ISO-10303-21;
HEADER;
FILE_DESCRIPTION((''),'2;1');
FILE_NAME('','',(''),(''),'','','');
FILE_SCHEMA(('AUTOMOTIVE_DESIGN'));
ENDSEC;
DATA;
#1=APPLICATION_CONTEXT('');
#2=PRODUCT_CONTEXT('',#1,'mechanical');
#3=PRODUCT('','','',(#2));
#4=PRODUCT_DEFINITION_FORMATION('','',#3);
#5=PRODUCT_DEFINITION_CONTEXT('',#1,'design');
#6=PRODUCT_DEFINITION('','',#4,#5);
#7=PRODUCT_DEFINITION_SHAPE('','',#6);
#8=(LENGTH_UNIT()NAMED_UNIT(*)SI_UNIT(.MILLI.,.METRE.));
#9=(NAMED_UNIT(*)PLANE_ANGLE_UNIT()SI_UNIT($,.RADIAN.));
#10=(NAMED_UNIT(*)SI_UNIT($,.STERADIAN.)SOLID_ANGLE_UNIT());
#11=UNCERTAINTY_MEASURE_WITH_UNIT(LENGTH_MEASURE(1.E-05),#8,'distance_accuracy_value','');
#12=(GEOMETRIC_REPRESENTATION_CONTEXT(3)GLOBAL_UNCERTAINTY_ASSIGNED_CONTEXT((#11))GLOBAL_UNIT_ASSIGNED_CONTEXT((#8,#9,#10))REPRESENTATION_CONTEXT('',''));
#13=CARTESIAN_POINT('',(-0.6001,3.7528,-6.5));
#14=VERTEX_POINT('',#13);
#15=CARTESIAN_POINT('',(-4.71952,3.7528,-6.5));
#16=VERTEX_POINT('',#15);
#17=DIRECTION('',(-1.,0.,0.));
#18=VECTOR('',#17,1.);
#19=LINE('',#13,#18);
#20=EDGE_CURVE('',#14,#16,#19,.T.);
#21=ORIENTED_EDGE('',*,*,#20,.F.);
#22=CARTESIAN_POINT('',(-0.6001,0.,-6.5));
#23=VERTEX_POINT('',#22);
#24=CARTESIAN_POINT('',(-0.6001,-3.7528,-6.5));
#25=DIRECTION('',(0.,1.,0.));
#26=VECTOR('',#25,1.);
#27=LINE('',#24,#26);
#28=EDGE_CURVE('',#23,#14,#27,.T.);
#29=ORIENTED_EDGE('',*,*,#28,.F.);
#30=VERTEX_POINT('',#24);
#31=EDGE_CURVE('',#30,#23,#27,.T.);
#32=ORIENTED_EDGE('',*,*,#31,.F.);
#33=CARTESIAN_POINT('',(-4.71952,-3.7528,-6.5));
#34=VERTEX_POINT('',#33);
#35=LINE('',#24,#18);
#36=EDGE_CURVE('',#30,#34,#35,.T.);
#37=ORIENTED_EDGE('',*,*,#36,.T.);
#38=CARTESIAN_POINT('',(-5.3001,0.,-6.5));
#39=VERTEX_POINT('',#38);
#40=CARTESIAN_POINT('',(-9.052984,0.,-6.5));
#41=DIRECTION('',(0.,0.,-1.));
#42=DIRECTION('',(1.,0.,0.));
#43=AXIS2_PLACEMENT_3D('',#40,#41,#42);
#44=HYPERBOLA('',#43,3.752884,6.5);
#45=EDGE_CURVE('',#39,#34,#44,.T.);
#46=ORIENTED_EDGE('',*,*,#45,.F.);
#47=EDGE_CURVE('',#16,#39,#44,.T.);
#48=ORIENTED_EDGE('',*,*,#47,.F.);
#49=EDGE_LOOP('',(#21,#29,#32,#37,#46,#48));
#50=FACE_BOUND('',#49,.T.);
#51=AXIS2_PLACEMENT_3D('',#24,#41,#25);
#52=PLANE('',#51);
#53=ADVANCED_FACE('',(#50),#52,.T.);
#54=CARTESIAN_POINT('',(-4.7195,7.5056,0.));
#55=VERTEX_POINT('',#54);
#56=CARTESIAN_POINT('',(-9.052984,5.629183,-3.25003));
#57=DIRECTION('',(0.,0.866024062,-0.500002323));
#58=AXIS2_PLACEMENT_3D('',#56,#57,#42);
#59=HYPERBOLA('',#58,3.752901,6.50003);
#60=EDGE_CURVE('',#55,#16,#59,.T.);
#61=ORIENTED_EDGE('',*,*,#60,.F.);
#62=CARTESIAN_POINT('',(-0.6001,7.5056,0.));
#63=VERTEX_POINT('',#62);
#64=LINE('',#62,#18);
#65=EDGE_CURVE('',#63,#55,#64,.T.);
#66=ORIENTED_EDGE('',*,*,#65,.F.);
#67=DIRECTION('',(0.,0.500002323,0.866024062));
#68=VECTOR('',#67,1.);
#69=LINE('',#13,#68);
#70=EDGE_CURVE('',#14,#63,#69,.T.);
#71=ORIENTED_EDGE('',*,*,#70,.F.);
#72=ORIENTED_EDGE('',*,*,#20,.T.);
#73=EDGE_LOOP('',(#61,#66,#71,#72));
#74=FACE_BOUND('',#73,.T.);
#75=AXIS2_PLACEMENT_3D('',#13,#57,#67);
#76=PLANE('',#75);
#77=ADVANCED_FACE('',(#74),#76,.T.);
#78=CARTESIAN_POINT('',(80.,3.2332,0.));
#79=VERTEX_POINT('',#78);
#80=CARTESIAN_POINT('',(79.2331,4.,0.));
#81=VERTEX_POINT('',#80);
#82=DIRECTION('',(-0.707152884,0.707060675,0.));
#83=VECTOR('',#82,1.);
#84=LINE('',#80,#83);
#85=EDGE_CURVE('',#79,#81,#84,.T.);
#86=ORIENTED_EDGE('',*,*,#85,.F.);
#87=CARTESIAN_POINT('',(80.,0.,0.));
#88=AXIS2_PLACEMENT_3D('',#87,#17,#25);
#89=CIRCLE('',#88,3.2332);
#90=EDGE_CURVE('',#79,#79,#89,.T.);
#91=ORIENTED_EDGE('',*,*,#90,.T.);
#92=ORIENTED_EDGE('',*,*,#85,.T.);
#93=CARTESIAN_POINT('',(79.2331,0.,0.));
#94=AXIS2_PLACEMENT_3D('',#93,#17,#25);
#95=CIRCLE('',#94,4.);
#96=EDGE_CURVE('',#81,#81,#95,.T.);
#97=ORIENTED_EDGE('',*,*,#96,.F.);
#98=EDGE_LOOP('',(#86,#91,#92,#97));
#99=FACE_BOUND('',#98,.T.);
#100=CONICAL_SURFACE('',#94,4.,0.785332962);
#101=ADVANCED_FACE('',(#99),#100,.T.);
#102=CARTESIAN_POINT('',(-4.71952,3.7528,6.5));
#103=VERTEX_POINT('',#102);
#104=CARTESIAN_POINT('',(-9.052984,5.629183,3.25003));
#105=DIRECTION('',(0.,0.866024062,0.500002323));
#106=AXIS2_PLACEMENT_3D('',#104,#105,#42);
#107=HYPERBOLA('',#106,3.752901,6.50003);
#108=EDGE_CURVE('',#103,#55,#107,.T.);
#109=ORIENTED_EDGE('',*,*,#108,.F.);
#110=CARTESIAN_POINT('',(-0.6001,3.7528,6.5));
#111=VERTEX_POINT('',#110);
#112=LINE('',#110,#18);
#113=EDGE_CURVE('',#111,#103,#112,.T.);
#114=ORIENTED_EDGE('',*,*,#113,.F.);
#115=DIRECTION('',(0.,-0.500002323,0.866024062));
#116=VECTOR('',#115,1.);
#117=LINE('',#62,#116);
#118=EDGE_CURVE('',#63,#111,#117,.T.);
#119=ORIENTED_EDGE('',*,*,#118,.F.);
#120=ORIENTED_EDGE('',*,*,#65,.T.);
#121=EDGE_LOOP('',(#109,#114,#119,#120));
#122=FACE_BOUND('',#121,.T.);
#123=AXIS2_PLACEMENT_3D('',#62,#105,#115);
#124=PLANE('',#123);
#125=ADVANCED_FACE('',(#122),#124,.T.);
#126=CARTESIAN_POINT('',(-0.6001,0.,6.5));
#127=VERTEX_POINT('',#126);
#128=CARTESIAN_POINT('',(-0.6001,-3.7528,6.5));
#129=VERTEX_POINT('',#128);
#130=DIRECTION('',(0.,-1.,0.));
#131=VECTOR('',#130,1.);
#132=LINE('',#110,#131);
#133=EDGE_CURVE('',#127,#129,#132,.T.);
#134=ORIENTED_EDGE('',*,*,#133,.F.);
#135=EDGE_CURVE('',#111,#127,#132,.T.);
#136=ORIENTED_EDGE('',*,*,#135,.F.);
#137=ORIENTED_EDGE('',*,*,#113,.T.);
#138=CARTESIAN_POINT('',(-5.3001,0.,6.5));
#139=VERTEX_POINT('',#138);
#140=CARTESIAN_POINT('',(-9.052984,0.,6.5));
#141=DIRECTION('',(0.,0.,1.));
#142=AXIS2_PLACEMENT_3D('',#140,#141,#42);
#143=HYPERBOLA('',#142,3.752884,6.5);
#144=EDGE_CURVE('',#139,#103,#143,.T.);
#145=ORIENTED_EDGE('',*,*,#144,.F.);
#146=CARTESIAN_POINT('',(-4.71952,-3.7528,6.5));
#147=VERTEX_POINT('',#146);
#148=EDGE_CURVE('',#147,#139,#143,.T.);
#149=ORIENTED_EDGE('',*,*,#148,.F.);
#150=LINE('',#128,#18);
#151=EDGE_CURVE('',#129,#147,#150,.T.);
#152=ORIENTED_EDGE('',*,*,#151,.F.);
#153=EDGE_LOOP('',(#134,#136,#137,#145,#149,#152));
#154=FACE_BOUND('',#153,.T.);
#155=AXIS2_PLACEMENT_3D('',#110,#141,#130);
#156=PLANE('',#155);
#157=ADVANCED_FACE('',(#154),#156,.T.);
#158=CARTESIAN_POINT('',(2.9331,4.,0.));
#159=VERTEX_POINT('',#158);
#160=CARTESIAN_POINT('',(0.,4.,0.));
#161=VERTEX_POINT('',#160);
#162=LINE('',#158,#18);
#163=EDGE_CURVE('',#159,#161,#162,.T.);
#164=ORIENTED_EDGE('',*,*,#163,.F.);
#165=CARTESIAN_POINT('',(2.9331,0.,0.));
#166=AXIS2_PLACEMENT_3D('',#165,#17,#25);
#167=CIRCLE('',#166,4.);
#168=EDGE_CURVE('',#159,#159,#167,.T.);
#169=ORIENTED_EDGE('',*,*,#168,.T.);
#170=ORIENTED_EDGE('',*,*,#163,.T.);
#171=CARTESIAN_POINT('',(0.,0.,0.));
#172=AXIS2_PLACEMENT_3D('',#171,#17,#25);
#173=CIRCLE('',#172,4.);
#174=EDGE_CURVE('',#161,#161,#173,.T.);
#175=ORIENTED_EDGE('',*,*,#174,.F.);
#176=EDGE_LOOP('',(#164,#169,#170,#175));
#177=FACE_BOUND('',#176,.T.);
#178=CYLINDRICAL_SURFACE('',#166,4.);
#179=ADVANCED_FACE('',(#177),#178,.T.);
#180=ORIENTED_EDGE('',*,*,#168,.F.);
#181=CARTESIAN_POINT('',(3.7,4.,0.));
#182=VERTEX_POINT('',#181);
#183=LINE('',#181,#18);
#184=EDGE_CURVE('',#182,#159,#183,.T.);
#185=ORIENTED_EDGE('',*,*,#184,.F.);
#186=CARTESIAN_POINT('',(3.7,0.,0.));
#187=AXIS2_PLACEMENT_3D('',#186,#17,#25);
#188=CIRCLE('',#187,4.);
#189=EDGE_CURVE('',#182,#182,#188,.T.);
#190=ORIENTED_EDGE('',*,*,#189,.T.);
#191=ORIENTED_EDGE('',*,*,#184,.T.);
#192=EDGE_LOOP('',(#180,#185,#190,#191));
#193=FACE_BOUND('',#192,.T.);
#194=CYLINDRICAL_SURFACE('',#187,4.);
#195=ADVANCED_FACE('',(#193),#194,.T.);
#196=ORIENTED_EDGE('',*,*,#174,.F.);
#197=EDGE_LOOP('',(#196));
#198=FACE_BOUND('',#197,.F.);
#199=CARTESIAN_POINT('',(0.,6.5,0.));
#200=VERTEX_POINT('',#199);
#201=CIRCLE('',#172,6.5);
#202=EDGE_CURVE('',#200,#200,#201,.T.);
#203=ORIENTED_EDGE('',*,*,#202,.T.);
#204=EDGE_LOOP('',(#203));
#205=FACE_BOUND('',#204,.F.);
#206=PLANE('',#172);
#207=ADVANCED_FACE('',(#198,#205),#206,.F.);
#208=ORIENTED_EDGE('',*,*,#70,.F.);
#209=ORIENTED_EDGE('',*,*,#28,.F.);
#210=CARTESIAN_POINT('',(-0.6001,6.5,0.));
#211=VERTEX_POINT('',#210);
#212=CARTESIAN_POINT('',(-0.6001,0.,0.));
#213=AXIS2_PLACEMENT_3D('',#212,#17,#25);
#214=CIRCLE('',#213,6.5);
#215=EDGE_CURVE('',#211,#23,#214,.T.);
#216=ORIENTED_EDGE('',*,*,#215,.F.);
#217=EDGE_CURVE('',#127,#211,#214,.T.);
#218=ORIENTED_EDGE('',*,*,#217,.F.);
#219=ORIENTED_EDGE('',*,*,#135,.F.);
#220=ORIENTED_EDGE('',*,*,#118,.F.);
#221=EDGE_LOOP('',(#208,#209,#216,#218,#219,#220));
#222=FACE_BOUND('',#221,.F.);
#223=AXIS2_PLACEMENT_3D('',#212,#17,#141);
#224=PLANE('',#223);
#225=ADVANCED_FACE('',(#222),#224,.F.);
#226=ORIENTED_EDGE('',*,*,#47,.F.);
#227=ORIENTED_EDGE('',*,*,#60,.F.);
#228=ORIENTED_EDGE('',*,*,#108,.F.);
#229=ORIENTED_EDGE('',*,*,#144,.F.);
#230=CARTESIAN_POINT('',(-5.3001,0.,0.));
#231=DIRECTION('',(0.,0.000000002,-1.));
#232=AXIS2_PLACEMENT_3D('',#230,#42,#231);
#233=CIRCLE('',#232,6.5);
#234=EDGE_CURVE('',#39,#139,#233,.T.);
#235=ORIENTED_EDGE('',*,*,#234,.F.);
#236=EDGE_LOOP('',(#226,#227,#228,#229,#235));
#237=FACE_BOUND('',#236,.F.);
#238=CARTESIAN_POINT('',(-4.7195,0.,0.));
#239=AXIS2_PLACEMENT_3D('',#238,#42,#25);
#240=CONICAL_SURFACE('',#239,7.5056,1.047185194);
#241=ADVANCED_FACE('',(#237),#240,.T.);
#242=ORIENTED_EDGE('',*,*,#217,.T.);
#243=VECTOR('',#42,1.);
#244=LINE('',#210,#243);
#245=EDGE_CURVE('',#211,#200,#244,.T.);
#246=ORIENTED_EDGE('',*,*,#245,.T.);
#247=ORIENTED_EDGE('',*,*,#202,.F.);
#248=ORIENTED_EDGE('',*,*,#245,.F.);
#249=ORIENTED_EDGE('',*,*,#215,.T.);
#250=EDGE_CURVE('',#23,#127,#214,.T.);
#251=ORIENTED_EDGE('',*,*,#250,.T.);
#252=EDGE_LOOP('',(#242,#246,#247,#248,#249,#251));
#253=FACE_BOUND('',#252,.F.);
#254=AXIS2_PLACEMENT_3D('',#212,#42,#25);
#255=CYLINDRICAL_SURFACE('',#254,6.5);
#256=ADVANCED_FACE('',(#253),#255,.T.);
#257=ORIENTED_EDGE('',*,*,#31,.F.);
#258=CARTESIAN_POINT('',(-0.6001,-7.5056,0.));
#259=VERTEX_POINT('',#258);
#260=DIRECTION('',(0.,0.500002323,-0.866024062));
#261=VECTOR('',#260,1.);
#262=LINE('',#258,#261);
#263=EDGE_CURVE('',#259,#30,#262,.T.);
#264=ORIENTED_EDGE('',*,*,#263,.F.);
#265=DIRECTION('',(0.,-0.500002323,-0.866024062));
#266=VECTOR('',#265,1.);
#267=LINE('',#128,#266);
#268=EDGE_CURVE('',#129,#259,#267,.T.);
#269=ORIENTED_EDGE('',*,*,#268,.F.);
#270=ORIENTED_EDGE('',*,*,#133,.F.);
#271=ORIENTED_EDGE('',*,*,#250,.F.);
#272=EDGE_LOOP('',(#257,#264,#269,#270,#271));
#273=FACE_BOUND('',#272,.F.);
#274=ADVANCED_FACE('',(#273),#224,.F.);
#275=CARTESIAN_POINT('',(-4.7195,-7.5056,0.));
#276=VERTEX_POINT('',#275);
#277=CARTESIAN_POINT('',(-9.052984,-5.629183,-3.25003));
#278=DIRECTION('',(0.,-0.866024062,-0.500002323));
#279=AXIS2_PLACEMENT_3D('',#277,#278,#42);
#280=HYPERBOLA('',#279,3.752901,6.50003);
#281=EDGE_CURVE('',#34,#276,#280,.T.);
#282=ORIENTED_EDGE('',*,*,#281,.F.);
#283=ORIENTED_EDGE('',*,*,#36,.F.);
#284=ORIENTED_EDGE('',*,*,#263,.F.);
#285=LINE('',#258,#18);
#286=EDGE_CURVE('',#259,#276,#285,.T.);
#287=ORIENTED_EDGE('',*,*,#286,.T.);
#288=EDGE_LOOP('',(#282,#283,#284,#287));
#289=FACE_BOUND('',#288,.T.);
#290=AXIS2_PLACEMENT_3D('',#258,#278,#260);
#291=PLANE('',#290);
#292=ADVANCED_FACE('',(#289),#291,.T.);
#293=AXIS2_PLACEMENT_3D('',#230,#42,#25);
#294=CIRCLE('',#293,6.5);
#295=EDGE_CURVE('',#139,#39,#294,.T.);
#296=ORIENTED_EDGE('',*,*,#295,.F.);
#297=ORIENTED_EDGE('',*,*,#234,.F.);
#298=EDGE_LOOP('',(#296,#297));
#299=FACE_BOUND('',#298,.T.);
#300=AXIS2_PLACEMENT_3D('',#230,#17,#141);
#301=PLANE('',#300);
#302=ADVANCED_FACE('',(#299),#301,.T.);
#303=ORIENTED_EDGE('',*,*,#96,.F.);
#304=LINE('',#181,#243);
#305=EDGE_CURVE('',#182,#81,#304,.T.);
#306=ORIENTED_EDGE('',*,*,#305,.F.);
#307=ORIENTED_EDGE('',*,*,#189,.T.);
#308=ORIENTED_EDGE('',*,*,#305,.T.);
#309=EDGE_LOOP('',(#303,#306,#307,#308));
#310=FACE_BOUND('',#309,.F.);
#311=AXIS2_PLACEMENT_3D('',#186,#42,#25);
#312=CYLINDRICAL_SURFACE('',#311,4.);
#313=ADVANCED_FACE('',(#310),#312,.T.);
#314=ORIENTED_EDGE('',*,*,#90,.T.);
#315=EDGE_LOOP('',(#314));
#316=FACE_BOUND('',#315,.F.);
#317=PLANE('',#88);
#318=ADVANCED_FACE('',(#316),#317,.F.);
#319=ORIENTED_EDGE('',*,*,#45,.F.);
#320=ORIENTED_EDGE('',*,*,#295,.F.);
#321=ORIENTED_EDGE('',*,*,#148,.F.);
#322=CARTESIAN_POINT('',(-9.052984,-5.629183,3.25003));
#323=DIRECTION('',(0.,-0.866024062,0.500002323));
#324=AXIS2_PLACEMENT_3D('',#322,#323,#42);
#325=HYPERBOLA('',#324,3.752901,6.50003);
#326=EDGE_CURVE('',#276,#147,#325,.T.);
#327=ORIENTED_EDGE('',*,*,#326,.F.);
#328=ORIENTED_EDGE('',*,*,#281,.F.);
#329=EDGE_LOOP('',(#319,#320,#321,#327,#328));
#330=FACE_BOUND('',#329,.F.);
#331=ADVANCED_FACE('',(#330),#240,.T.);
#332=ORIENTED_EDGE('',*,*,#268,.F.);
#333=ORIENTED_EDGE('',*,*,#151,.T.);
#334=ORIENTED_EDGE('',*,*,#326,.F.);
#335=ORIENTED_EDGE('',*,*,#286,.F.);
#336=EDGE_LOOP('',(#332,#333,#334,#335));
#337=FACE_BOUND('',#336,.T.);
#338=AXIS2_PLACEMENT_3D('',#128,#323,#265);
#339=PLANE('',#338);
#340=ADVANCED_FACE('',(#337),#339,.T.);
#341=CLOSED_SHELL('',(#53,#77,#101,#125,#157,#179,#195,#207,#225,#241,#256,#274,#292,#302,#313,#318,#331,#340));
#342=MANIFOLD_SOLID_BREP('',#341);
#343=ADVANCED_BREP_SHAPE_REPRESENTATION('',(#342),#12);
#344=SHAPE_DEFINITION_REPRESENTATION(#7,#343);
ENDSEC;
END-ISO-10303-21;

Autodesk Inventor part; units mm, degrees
ref_plane "YZ Plane" through (0, 0, 0) normal (1, 0, 0) x (0, 1, 0)
ref_plane "XZ Plane" through (0, 0, 0) normal (0, 1, 0) x (-1, 0, 0)
sketch "Sketch1" plane through (0, 0, 0) normal (0, 0, 1) x (1, 0, 0)
  line L0 (0, 6.5) -> (0, 4)
  line L1 (3.7, 4) -> (80, 4)
  line L2 (80, 4) -> (80, 0)
  line L3 (80, 0) -> (-0.6001, 0)
  line L4 (-16.7201, 0) -> (96.12, 0) projected
  line L5 (-0.6001, 0) -> (-0.6001, 6.5)
  line L6 (-0.6001, 6.5) -> (0, 6.5)
  line L7 (3.7, 4) -> (2.9331, 4)
  line L8 (2.9331, 4) -> (0, 4)
  line L9 (0, -1.3) -> (0, 7.8) projected
  dimension "d0" = 80
  dimension "d1" = 76.3
  dimension "d2" = 8
  dimension "d9" = 0.6001
  dimension "d10" = 13
  dimension "d13" = 0.7669
  dimension "d14" = 8
revolve "Body" add sketch "Sketch1" angle 360 about axis through (80, 0, 0) along (-1, 0, 0)
sketch "Sketch2" plane through (-0.6001, 0, 0) normal (-1, 0, 0) x (0, 0, 1)
  line L0 (0, 7.5056) -> (6.5, 3.7528)
  line L1 (6.5, 3.7528) -> (6.5, -3.7528)
  line L2 (6.5, -3.7528) -> (0, -7.5056)
  line L3 (0, -7.5056) -> (-6.5, -3.7528)
  line L4 (-6.5, -3.7528) -> (-6.5, 3.7528)
  line L5 (-6.5, 3.7528) -> (0, 7.5056)
  point P0 (0, 0)
  point P1 (0, 0)
  dimension "d11" = 13
extrude "Head" add sketch "Sketch2" along normal blind 4.7
sketch "Sketch4" plane through (0, 0, 0) normal (0, 0, 1) x (1, 0, 0)
  line L0 (-5.3001, 6.5) -> (-5.3001, 7.5056)
  line L1 (-5.3001, 7.5056) -> (-4.7195, 7.5056)
  line L2 (-4.7195, 7.5056) -> (-5.3001, 6.5)
  line L3 (-6.2401, 0) -> (0.3399, 0) projected
  line L4 (-0.6001, 7.5056) -> (-5.3001, 7.5056) projected
  line L5 (-5.3001, 3.7528) -> (-5.3001, 7.5056) projected
  dimension "d5" = 30
  dimension "d19" = 13
revolve "Chamfer1" cut sketch "Sketch4" angle 360 about axis through (-10, 0, 0) along (1, 0, 0)
thread "Thread" size "M8x1.25" class "6g" standard "ISO Metric profile" length 76.3
chamfer "Chamfer2" distance 0.7668 distance2 0.7669 1 edges at (80, -4, 0) measured on face at (80, -0.998, -0.8842)
ref_plane "Work Plane1" through (1.525, 0, 0) normal (0, 0, 1) x (1, 0, 0)
equation "\"d0\" = NLG"
equation "\"d1\" = GEL"
equation "\"d2\" = GD"
equation "\"d10\" = SD2"
equation "\"d14\" = BDM"
equation "\"d11\" = SW"
equation "\"d3\" = KOH - SD"
equation "\"d5\" = ANG1"
equation "\"d19\" = SW0"
equation "\"d15\" = GEL"
equation "\"d6\" = -0.5 * SPD + 0.5 * GD"
equation "\"NLG\" = 80"
equation "\"GD\" = NND"
equation "\"BDM\" = NND"
equation "\"KOH\" = 5.3"
equation "\"GEL\" = 76.3"
equation "\"SW\" = 13"
equation "\"SW0\" = SW"
equation "\"SPD\" = NND - 1.2269 * PTC"
equation "\"SD2\" = SW"
equation "\"SD\" = 0.6"
equation "\"ANG1\" = 30deg"
equation "\"GAL\" = 0.61345 * PTC"
equation "\"GUL\" = 0.61345 * PTC"
equation "\"RR\" = 0.4"
equation "\"WFT\" = SD"
equation "\"GD1\" = THREADDIA - 1.2269 * PTC"
equation "\"THREADDIA\" = 8"
equation "\"SDH\" = SW"
equation "\"TOA\" = 30deg"
equation "\"FAWI\" = 45deg"
equation "\"PTC\" = 1.25"
equation "\"NND\" = 8"
equation "\"E0\" = 1.155 * SW"
properties part number "AS 1110 - M8 x 80" material "Steel, Mild"
